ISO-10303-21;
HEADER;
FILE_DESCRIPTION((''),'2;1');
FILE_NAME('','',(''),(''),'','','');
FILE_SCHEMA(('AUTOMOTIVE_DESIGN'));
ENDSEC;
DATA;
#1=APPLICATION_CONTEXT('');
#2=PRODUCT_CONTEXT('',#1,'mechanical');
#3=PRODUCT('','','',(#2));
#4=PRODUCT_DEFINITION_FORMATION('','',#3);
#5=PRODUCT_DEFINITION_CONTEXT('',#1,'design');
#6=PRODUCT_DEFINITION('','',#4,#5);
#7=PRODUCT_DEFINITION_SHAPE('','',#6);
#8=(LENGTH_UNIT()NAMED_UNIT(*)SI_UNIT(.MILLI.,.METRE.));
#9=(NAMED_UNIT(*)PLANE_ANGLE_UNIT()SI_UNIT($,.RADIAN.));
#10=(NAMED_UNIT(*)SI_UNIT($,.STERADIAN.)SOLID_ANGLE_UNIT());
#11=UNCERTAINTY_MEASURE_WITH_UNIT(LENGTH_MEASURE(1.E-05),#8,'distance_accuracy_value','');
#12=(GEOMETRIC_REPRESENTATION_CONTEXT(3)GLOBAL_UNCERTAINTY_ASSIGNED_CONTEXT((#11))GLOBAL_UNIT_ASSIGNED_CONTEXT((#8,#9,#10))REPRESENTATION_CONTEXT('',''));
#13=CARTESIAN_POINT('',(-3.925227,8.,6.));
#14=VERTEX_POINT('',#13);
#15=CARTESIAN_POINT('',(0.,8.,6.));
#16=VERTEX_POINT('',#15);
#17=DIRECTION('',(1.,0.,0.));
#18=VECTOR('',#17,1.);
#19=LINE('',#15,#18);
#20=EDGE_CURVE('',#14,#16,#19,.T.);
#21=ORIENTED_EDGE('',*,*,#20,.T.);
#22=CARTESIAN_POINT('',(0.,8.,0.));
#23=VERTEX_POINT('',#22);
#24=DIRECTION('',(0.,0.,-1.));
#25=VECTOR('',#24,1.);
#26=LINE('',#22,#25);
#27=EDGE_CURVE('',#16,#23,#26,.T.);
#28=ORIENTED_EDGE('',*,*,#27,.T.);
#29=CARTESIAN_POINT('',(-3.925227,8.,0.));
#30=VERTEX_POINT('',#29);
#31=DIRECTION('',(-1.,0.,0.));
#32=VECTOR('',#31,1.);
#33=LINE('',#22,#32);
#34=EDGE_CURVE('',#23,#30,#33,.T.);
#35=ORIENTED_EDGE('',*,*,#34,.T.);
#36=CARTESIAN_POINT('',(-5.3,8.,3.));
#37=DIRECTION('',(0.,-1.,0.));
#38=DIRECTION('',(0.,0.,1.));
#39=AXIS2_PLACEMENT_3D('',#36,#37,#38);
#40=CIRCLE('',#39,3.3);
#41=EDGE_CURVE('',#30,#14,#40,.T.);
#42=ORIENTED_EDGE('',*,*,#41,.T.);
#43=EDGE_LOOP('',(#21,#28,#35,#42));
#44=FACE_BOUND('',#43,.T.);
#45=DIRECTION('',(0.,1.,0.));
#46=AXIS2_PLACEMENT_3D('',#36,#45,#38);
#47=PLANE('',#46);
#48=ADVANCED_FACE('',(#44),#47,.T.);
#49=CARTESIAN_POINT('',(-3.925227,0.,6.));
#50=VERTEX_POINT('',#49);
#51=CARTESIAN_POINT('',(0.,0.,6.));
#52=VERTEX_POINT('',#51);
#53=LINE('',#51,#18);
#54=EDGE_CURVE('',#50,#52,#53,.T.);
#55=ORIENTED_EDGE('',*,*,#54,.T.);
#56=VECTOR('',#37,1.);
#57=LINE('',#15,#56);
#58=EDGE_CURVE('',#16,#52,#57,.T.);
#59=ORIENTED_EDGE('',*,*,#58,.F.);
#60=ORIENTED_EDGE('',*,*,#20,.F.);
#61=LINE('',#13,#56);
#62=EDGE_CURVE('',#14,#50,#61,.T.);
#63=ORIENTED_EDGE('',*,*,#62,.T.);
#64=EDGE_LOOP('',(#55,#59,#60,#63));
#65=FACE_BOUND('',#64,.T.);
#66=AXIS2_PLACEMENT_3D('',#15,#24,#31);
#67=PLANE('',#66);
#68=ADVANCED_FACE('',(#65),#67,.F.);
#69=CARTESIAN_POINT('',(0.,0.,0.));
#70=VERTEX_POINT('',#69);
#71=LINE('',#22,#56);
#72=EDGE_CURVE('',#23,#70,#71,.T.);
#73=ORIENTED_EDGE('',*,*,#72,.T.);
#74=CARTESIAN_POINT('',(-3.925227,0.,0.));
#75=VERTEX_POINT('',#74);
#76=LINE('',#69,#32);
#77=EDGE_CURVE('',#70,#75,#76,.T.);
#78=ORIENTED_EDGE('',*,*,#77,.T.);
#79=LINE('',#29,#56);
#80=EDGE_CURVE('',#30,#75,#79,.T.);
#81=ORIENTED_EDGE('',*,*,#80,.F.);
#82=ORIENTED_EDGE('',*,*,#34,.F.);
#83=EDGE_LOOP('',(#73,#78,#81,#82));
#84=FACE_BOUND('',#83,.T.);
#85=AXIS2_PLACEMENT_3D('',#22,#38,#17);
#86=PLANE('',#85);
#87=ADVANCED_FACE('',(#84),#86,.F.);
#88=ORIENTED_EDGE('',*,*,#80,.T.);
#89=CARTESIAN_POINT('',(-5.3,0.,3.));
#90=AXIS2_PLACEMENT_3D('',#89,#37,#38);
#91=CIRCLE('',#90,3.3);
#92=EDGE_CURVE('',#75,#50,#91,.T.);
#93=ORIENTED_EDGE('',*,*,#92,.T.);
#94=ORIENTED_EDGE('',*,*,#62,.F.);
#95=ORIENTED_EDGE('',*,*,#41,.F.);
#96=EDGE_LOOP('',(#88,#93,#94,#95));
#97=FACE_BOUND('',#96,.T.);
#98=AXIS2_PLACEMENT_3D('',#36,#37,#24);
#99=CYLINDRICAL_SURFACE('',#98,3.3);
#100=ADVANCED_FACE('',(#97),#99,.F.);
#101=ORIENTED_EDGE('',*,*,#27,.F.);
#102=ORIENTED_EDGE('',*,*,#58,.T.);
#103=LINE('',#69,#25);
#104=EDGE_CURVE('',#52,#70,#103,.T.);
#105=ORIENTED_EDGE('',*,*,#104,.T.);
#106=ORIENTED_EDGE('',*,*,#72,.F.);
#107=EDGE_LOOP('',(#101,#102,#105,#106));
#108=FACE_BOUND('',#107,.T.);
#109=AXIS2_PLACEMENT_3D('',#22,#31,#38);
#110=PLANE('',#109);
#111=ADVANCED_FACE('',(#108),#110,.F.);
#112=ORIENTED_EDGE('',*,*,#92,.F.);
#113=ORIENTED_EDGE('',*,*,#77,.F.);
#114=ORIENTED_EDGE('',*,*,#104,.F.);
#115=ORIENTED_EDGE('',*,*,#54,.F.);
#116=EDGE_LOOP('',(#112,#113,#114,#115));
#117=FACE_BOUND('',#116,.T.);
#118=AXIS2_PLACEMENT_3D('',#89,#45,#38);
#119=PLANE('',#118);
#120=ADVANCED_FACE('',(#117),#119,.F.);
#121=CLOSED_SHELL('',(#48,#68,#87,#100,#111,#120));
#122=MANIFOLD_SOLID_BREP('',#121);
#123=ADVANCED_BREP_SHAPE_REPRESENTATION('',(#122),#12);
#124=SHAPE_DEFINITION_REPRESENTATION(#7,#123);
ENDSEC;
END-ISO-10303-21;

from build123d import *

# Parameters (mm, degrees)
EXTRUDE_1_DEPTH = 8


with BuildPart() as part:
    # 草图1 → 凸台-拉伸1 (new body)
    with BuildSketch(Plane(origin=(0, 0, 0), x_dir=(1, 0, 0), z_dir=(0, 1, 0))):
        with BuildLine():
            Line((0, 0), (0, -6))
            Line((0, -6), (-3.925227292, -6))
            ThreePointArc((-3.925227292, -6), (-2, -3), (-3.925227292, 0))
            Line((-3.925227292, 0), (0, 0))
        make_face()
    extrude(amount=EXTRUDE_1_DEPTH)


solid = part.part
